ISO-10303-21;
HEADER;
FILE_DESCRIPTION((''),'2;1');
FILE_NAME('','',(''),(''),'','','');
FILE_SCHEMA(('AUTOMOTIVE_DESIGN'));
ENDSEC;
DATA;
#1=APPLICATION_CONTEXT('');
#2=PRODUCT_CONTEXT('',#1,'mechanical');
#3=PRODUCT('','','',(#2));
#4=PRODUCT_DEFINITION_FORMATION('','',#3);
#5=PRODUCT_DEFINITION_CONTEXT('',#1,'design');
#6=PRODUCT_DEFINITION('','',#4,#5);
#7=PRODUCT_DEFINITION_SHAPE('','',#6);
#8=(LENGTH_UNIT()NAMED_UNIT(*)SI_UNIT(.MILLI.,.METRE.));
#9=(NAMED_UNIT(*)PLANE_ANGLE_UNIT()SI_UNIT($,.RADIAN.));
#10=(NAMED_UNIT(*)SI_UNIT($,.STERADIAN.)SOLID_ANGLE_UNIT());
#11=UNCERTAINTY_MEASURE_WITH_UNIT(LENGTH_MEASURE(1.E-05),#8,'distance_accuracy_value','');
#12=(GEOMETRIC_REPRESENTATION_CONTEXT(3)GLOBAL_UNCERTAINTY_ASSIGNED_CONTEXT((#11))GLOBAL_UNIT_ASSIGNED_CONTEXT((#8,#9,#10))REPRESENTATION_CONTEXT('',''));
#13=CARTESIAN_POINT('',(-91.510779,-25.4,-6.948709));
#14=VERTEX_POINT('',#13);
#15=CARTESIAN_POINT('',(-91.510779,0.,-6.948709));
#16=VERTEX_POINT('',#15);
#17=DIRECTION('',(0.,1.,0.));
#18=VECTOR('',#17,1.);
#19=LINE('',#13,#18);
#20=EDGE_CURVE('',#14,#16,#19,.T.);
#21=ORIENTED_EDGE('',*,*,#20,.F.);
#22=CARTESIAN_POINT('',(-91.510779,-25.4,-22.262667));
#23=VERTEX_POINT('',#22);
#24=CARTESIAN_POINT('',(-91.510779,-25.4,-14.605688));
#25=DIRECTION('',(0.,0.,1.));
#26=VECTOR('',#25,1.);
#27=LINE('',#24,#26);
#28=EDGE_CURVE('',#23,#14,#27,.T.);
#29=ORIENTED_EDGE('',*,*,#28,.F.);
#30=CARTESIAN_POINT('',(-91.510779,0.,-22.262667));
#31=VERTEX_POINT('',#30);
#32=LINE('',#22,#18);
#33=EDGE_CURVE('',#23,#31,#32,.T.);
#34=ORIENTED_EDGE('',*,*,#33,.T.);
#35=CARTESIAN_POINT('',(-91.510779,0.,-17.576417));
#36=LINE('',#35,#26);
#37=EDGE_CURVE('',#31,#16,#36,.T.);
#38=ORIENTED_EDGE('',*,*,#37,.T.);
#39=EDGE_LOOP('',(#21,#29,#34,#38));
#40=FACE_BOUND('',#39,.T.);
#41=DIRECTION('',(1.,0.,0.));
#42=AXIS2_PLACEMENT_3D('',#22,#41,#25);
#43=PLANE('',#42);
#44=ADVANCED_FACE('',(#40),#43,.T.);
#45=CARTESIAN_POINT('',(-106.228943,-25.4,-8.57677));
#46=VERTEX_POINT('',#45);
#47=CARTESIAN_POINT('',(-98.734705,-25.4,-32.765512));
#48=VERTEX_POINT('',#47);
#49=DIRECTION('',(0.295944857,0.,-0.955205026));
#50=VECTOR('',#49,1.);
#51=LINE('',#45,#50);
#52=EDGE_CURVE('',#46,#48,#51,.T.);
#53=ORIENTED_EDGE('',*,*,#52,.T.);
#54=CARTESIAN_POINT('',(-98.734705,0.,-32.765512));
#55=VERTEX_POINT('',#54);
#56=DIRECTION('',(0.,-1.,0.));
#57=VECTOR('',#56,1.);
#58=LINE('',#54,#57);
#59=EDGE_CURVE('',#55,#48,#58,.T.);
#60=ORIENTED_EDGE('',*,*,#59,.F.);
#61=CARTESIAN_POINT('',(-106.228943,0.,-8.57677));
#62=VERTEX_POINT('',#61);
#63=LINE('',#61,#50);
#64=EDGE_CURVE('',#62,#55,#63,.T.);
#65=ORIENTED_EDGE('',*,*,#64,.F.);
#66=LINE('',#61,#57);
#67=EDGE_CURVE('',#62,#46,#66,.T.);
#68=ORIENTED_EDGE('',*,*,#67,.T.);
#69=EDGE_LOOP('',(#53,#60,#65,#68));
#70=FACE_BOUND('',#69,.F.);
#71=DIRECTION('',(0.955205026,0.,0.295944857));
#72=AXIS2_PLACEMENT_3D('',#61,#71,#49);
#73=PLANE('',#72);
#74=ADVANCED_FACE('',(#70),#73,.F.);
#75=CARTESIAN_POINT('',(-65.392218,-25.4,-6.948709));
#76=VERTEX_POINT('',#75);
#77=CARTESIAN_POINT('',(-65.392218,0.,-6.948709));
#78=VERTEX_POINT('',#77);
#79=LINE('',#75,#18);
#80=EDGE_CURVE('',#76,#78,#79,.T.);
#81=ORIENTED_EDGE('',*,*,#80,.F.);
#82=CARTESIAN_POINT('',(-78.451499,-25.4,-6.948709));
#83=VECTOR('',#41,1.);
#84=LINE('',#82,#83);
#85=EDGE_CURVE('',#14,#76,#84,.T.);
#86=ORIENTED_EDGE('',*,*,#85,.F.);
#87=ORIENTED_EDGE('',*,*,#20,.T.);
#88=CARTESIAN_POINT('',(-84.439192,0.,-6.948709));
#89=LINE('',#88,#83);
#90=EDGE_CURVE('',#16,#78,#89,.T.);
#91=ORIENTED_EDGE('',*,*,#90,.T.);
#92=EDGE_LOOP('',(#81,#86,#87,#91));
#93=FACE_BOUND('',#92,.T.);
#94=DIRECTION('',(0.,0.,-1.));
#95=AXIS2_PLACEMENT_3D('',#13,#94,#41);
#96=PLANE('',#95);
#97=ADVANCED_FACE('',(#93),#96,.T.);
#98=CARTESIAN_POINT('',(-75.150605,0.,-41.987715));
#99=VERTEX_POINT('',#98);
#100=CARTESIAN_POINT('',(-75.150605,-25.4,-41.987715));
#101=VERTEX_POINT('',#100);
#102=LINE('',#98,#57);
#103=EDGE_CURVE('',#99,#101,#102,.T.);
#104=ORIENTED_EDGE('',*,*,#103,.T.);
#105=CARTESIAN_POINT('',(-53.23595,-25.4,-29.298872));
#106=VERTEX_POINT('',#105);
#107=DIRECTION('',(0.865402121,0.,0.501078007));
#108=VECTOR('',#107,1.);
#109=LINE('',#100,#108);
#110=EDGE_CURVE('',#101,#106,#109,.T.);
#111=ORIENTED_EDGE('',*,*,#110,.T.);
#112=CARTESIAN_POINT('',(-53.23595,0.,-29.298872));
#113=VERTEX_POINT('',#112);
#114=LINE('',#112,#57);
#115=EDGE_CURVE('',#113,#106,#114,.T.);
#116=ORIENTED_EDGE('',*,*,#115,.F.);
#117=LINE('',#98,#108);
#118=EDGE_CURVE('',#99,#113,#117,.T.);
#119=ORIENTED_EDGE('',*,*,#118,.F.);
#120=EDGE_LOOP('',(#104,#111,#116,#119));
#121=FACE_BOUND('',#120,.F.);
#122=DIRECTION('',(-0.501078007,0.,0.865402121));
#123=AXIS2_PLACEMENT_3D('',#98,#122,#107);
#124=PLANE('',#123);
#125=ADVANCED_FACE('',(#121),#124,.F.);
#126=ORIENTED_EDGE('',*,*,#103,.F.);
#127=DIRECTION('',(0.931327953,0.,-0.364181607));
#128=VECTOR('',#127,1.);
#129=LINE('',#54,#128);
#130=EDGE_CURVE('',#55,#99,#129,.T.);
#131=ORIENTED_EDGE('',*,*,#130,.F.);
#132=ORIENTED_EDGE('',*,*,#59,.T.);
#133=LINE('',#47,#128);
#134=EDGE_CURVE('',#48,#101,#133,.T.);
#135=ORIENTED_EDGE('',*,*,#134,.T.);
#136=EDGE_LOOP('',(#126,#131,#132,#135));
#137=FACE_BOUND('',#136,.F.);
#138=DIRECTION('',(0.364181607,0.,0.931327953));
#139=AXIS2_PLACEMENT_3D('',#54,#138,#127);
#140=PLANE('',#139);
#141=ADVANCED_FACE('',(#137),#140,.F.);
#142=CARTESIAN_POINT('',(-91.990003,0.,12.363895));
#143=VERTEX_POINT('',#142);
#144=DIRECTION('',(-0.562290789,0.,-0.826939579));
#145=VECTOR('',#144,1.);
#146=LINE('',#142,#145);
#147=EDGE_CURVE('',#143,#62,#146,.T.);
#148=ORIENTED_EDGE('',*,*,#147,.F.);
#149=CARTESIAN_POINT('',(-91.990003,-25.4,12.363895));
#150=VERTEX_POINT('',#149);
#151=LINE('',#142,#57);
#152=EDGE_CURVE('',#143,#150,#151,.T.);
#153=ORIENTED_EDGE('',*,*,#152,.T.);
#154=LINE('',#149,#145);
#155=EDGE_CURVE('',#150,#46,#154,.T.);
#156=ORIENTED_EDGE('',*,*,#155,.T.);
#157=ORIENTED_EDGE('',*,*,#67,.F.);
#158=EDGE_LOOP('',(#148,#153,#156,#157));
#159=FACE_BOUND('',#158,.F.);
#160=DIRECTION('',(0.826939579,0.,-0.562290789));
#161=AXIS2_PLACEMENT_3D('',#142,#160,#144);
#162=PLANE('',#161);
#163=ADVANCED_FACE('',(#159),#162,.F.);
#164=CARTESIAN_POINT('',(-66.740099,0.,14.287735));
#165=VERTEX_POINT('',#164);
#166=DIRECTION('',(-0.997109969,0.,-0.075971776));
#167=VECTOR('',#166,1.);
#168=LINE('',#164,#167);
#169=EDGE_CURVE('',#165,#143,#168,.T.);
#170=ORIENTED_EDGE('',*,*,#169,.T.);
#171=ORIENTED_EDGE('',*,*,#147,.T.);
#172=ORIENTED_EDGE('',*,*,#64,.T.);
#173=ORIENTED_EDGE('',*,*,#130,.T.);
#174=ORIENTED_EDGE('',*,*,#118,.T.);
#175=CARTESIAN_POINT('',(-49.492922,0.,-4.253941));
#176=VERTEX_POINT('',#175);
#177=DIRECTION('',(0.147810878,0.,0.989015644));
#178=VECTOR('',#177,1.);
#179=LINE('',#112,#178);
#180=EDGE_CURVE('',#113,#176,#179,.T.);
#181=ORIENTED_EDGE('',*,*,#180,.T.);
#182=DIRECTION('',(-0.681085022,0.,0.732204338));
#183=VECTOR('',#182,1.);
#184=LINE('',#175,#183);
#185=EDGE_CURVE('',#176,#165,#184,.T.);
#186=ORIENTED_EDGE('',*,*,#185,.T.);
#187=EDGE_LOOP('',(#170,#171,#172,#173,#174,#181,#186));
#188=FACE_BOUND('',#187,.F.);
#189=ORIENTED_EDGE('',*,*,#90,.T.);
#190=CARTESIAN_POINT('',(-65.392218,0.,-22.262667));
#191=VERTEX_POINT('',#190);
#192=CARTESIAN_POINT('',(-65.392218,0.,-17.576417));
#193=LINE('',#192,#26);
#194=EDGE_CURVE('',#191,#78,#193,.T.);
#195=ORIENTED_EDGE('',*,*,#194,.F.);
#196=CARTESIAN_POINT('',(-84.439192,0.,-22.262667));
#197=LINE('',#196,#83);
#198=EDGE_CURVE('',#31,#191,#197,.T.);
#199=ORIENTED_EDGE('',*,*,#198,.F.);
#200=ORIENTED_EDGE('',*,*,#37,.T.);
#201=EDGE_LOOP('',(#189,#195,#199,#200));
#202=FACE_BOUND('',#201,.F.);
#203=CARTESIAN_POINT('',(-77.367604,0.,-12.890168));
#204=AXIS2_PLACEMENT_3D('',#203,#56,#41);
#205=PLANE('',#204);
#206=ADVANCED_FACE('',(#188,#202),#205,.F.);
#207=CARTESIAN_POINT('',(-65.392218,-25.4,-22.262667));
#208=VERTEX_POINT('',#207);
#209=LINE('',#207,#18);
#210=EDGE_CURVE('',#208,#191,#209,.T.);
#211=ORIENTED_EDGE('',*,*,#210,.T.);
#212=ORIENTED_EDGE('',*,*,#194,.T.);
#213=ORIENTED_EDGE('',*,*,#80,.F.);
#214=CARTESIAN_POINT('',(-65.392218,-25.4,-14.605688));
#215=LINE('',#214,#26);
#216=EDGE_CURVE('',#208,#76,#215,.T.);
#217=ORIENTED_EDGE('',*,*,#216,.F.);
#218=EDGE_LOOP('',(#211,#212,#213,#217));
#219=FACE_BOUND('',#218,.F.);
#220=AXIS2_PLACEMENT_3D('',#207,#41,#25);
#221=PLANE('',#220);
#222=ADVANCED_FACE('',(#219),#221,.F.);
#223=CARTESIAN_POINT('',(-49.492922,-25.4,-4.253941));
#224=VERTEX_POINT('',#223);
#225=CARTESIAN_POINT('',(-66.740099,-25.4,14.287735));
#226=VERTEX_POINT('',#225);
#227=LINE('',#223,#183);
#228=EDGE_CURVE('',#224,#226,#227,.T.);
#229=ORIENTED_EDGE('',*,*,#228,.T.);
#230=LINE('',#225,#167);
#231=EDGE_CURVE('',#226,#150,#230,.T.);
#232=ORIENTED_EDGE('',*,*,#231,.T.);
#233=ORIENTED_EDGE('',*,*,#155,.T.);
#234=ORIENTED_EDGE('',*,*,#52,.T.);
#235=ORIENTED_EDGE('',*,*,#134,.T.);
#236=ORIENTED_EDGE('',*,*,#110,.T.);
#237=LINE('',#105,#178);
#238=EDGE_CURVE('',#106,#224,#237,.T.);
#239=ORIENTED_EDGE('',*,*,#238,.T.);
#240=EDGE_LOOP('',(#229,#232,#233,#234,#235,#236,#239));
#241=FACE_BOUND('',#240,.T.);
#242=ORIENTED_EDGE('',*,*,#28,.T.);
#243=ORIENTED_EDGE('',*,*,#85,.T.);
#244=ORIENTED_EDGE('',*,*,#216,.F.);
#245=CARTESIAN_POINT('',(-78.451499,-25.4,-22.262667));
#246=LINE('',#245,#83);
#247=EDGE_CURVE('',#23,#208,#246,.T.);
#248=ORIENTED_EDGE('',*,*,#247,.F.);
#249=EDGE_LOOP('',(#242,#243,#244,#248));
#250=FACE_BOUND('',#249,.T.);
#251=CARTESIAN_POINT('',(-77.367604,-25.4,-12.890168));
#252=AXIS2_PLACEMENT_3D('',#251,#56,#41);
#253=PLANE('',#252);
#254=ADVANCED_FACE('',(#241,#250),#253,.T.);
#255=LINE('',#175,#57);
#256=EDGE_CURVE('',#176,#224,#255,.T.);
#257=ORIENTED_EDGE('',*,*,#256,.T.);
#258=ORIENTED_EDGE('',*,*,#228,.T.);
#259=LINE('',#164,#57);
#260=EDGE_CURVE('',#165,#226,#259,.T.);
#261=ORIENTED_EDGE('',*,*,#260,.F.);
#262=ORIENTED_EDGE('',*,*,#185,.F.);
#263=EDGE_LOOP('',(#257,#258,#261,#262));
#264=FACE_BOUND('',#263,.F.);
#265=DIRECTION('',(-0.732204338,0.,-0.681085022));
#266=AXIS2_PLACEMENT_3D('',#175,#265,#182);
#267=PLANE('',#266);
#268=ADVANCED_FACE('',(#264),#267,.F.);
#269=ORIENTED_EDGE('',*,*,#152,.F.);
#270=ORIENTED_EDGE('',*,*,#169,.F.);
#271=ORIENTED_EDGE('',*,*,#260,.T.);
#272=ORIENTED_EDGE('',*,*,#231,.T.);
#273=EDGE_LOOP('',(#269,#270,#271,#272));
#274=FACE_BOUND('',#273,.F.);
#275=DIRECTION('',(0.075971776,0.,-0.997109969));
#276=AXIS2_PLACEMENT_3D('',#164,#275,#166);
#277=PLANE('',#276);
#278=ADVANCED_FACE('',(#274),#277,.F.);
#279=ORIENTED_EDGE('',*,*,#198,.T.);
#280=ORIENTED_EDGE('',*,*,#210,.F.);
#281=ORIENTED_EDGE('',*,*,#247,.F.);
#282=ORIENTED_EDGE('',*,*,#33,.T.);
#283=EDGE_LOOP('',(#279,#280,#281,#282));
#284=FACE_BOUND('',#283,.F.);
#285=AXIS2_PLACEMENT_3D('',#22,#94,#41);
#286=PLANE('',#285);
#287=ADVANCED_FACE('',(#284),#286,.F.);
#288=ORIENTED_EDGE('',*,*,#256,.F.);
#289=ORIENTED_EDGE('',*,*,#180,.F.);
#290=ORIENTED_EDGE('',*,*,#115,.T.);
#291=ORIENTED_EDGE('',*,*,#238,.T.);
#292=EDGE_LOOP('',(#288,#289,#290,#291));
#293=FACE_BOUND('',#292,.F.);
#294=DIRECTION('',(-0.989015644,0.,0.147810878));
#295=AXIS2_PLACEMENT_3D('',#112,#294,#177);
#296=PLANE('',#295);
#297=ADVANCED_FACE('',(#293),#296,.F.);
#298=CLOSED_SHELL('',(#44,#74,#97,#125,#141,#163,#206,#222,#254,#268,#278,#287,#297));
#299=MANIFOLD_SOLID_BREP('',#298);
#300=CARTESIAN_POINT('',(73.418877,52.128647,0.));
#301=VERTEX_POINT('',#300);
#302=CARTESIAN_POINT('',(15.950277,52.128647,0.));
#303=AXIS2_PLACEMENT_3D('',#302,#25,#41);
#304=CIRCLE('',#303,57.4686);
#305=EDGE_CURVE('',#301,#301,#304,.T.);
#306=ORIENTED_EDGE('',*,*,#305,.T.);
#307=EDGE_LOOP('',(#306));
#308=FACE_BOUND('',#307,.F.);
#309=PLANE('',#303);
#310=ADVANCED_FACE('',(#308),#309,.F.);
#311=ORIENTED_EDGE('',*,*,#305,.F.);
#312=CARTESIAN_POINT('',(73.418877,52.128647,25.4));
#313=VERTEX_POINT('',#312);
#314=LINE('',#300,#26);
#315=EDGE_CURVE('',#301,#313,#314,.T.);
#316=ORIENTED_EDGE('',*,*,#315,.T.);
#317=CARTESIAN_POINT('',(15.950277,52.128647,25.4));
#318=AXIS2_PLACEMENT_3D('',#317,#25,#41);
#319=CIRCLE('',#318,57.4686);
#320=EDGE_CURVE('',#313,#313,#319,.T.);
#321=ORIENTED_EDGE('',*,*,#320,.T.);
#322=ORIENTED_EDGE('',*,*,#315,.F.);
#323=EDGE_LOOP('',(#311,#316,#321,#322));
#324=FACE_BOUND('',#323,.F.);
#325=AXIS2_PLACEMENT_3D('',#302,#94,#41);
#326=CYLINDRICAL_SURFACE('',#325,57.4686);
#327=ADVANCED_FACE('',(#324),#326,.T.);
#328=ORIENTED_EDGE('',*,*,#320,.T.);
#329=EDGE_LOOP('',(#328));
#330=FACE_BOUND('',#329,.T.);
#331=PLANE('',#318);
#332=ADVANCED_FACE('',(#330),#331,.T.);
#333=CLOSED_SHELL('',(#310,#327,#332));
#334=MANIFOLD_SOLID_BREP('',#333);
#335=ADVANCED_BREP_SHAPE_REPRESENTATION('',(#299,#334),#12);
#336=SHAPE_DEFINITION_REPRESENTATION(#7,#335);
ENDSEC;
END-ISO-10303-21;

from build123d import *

# Parameters (mm, degrees)
F1_DEPTH = 25.4
F2_W     = 26.118561
F2_H     = 15.313957
F3_DEPTH = 25.401
F4_R     = 57.4686
F5_DEPTH = 25.4


with BuildPart() as f1:
    # F0 (on Front) → F1 (new body)
    with BuildSketch(Plane.XZ):
        Polygon((-49.492922, -4.253941), (-66.740099, 14.287735), (-91.990003, 12.363895), (-106.228943, -8.57677), (-98.734705, -32.765512), (-75.150605, -41.987715), (-53.23595, -29.298872), align=None)
    extrude(amount=F1_DEPTH)

    # F2 (on face) → F3 (cut, through all)
    with BuildSketch(Plane.XZ.offset(25.4)):
        with Locations((-78.451499, -14.605688)):
            Rectangle(F2_W, F2_H)
    extrude(amount=-F3_DEPTH, mode=Mode.SUBTRACT)


with BuildPart() as f5:
    # F4 (on Top) → F5 (new body)
    with BuildSketch(Plane.XY):
        with Locations((15.950277, 52.128647)):
            Circle(F4_R)
    extrude(amount=F5_DEPTH)


solid = Compound([f1.part, f5.part])
